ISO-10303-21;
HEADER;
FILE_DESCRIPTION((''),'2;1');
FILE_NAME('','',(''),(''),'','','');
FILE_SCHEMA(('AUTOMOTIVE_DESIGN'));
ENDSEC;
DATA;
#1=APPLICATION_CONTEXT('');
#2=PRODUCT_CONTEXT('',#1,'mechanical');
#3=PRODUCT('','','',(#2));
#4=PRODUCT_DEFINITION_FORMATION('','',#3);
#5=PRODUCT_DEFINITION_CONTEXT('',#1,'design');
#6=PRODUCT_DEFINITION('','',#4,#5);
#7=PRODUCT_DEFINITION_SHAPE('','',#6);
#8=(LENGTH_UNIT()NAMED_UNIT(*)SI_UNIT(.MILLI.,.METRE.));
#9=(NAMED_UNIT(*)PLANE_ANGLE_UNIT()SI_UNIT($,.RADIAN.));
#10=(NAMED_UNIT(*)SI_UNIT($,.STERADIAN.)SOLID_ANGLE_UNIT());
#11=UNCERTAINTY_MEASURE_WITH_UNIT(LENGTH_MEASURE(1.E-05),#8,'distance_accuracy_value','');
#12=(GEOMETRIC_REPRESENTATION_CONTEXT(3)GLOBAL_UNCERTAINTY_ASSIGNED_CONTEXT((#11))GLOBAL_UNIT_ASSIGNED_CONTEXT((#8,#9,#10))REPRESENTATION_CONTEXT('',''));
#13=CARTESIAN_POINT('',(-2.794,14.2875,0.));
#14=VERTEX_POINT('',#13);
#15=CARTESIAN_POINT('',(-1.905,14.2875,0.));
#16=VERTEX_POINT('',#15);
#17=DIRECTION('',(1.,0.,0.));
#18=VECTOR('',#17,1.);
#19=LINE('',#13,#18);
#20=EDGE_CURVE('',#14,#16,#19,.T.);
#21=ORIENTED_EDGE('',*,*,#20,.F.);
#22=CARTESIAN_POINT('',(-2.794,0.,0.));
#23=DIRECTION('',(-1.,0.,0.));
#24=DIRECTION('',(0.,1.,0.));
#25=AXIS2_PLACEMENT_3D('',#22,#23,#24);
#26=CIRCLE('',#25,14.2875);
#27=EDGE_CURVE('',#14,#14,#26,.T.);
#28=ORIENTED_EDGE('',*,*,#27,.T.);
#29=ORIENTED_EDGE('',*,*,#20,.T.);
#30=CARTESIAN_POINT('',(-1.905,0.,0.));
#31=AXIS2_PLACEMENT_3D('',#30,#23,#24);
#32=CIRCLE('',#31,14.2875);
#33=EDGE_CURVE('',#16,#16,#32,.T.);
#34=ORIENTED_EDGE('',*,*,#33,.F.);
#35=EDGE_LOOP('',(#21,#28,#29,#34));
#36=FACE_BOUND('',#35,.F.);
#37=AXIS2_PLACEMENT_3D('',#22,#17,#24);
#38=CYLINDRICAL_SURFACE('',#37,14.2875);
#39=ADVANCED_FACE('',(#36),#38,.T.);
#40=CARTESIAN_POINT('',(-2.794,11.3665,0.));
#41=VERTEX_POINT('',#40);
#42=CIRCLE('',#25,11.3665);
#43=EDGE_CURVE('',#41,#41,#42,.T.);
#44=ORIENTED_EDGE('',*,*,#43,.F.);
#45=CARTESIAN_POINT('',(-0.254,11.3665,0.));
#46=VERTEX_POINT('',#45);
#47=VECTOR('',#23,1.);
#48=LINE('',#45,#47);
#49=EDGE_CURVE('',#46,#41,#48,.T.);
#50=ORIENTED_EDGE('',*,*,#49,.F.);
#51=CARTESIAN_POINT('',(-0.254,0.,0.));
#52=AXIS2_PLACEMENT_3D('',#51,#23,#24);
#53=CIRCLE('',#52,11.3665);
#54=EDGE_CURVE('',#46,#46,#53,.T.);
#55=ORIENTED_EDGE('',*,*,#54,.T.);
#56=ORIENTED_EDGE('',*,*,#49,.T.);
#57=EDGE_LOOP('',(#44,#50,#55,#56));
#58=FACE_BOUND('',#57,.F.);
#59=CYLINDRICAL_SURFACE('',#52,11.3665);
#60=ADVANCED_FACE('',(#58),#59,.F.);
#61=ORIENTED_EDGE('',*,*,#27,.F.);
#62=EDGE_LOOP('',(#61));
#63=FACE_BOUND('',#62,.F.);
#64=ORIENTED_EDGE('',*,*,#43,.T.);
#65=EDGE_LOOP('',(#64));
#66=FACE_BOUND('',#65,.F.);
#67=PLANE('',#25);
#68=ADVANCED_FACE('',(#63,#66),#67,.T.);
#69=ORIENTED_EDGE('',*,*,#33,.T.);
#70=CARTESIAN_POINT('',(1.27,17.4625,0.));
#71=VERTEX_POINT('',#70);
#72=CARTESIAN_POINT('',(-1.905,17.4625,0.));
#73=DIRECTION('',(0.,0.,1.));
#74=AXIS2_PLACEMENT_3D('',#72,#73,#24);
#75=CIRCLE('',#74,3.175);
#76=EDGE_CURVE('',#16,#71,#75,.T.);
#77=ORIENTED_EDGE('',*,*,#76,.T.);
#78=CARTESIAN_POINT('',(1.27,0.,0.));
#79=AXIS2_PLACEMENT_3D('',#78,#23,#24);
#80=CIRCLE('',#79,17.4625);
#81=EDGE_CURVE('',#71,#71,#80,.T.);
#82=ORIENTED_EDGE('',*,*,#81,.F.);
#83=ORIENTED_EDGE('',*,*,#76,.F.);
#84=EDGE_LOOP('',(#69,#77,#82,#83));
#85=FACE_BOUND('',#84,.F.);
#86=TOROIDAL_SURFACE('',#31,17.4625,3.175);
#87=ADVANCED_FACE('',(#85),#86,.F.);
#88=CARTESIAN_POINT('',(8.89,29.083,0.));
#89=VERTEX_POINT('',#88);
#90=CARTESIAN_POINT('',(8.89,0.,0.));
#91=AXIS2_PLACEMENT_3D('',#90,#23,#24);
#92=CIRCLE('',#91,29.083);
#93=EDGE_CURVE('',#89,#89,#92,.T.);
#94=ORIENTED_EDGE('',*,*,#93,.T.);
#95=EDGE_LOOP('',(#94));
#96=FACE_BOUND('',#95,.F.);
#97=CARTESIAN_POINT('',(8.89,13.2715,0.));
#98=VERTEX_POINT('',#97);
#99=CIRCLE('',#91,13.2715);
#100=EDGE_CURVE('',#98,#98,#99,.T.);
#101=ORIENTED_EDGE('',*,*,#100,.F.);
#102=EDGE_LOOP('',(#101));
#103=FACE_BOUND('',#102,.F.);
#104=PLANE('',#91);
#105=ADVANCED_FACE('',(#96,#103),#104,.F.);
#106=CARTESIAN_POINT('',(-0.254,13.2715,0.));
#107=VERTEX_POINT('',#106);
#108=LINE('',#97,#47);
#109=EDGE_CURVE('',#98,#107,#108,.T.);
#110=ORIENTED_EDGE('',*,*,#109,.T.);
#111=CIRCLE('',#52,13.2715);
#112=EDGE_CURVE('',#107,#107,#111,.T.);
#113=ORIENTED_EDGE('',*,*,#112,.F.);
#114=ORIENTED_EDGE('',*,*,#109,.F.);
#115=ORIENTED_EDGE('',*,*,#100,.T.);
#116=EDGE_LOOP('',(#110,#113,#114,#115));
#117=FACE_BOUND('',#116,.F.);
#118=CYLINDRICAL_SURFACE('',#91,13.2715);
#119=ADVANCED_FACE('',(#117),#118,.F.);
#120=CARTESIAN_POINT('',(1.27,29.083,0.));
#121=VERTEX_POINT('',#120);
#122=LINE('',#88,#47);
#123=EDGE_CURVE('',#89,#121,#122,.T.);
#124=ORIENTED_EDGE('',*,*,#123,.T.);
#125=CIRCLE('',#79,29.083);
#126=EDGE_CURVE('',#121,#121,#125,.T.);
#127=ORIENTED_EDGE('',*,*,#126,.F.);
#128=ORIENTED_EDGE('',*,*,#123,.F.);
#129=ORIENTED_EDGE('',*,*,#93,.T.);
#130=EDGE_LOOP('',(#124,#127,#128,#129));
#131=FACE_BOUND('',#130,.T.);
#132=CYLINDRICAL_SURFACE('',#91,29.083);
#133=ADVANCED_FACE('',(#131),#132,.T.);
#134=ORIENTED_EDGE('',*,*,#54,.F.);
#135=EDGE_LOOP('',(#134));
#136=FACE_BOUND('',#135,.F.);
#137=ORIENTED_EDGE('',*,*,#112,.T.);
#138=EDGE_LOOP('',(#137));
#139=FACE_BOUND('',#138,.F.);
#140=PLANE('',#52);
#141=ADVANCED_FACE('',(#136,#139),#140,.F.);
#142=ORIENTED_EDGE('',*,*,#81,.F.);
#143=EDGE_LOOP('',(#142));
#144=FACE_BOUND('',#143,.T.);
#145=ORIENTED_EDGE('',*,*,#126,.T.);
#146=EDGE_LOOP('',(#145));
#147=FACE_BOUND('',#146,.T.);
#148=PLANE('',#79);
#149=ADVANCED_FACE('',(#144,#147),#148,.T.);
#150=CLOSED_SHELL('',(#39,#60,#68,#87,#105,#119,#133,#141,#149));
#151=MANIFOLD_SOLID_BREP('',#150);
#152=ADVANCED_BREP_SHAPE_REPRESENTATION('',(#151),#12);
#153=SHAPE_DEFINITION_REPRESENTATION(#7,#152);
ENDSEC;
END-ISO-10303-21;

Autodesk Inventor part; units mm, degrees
ref_plane "YZ Plane" through (0, 0, 0) normal (1, 0, 0) x (0, 1, 0)
ref_plane "XZ Plane" through (0, 0, 0) normal (0, 1, 0) x (-1, 0, 0)
ref_plane "XY Plane" through (0, 0, 0) normal (0, 0, 1) x (1, 0, 0)
sketch "Sketch1" plane through (0, 0, 0) normal (0, 0, 1) x (1, 0, 0)
  line L0 (0, 13.0175) -> (10.16, 13.0175)
  line L1 (10.16, -13.0175) -> (10.16, 13.0175)
  line L2 (0, 13.0175) -> (0, -13.0175)
  line L3 (9.525, 16.8275) -> (24.13, 16.8275)
  line L4 (9.525, 20.6375) -> (9.525, 16.8275)
  line L5 (0.635, 16.8275) -> (0.635, 20.6375)
  line L6 (0.3356, 29.337) -> (9.8244, 29.337)
  line L7 (8.89, 29.083) -> (1.27, 29.083)
  line L8 (1.27, 29.083) -> (1.27, 14.2875)
  line L9 (8.89, 29.083) -> (8.89, 13.2715)
  line L10 (8.89, 13.2715) -> (-0.254, 13.2715)
  line L11 (-0.254, 13.2715) -> (-0.254, 11.3665)
  line L12 (-0.254, 11.3665) -> (-2.794, 11.3665)
  line L13 (-2.794, 11.3665) -> (-2.794, 14.2875)
  line L14 (-2.794, 14.2875) -> (1.27, 14.2875)
  line L15 (-13.97, 16.8275) -> (0.635, 16.8275)
  line L16 (31.75, 0) -> (-21.59, 0)
  point P0 (0, 0)
revolve "Revolution1" add sketch "Sketch1" angle 360 about axis through (5.16, 0, 0) along (-1, 0, 0) contours L9 L10 L11 L12 L13 L14 L8 L7
fillet "Fillet1" radius 3.175 1 edges at (1.27, -14.2875, 0)
equation "\"d1\" = d0"
equation "\"d4\" = d3"
equation "\"d0\" = 0.635"
equation "\"d3\" = 0.254"
properties part number "Small Bearing Cover"
